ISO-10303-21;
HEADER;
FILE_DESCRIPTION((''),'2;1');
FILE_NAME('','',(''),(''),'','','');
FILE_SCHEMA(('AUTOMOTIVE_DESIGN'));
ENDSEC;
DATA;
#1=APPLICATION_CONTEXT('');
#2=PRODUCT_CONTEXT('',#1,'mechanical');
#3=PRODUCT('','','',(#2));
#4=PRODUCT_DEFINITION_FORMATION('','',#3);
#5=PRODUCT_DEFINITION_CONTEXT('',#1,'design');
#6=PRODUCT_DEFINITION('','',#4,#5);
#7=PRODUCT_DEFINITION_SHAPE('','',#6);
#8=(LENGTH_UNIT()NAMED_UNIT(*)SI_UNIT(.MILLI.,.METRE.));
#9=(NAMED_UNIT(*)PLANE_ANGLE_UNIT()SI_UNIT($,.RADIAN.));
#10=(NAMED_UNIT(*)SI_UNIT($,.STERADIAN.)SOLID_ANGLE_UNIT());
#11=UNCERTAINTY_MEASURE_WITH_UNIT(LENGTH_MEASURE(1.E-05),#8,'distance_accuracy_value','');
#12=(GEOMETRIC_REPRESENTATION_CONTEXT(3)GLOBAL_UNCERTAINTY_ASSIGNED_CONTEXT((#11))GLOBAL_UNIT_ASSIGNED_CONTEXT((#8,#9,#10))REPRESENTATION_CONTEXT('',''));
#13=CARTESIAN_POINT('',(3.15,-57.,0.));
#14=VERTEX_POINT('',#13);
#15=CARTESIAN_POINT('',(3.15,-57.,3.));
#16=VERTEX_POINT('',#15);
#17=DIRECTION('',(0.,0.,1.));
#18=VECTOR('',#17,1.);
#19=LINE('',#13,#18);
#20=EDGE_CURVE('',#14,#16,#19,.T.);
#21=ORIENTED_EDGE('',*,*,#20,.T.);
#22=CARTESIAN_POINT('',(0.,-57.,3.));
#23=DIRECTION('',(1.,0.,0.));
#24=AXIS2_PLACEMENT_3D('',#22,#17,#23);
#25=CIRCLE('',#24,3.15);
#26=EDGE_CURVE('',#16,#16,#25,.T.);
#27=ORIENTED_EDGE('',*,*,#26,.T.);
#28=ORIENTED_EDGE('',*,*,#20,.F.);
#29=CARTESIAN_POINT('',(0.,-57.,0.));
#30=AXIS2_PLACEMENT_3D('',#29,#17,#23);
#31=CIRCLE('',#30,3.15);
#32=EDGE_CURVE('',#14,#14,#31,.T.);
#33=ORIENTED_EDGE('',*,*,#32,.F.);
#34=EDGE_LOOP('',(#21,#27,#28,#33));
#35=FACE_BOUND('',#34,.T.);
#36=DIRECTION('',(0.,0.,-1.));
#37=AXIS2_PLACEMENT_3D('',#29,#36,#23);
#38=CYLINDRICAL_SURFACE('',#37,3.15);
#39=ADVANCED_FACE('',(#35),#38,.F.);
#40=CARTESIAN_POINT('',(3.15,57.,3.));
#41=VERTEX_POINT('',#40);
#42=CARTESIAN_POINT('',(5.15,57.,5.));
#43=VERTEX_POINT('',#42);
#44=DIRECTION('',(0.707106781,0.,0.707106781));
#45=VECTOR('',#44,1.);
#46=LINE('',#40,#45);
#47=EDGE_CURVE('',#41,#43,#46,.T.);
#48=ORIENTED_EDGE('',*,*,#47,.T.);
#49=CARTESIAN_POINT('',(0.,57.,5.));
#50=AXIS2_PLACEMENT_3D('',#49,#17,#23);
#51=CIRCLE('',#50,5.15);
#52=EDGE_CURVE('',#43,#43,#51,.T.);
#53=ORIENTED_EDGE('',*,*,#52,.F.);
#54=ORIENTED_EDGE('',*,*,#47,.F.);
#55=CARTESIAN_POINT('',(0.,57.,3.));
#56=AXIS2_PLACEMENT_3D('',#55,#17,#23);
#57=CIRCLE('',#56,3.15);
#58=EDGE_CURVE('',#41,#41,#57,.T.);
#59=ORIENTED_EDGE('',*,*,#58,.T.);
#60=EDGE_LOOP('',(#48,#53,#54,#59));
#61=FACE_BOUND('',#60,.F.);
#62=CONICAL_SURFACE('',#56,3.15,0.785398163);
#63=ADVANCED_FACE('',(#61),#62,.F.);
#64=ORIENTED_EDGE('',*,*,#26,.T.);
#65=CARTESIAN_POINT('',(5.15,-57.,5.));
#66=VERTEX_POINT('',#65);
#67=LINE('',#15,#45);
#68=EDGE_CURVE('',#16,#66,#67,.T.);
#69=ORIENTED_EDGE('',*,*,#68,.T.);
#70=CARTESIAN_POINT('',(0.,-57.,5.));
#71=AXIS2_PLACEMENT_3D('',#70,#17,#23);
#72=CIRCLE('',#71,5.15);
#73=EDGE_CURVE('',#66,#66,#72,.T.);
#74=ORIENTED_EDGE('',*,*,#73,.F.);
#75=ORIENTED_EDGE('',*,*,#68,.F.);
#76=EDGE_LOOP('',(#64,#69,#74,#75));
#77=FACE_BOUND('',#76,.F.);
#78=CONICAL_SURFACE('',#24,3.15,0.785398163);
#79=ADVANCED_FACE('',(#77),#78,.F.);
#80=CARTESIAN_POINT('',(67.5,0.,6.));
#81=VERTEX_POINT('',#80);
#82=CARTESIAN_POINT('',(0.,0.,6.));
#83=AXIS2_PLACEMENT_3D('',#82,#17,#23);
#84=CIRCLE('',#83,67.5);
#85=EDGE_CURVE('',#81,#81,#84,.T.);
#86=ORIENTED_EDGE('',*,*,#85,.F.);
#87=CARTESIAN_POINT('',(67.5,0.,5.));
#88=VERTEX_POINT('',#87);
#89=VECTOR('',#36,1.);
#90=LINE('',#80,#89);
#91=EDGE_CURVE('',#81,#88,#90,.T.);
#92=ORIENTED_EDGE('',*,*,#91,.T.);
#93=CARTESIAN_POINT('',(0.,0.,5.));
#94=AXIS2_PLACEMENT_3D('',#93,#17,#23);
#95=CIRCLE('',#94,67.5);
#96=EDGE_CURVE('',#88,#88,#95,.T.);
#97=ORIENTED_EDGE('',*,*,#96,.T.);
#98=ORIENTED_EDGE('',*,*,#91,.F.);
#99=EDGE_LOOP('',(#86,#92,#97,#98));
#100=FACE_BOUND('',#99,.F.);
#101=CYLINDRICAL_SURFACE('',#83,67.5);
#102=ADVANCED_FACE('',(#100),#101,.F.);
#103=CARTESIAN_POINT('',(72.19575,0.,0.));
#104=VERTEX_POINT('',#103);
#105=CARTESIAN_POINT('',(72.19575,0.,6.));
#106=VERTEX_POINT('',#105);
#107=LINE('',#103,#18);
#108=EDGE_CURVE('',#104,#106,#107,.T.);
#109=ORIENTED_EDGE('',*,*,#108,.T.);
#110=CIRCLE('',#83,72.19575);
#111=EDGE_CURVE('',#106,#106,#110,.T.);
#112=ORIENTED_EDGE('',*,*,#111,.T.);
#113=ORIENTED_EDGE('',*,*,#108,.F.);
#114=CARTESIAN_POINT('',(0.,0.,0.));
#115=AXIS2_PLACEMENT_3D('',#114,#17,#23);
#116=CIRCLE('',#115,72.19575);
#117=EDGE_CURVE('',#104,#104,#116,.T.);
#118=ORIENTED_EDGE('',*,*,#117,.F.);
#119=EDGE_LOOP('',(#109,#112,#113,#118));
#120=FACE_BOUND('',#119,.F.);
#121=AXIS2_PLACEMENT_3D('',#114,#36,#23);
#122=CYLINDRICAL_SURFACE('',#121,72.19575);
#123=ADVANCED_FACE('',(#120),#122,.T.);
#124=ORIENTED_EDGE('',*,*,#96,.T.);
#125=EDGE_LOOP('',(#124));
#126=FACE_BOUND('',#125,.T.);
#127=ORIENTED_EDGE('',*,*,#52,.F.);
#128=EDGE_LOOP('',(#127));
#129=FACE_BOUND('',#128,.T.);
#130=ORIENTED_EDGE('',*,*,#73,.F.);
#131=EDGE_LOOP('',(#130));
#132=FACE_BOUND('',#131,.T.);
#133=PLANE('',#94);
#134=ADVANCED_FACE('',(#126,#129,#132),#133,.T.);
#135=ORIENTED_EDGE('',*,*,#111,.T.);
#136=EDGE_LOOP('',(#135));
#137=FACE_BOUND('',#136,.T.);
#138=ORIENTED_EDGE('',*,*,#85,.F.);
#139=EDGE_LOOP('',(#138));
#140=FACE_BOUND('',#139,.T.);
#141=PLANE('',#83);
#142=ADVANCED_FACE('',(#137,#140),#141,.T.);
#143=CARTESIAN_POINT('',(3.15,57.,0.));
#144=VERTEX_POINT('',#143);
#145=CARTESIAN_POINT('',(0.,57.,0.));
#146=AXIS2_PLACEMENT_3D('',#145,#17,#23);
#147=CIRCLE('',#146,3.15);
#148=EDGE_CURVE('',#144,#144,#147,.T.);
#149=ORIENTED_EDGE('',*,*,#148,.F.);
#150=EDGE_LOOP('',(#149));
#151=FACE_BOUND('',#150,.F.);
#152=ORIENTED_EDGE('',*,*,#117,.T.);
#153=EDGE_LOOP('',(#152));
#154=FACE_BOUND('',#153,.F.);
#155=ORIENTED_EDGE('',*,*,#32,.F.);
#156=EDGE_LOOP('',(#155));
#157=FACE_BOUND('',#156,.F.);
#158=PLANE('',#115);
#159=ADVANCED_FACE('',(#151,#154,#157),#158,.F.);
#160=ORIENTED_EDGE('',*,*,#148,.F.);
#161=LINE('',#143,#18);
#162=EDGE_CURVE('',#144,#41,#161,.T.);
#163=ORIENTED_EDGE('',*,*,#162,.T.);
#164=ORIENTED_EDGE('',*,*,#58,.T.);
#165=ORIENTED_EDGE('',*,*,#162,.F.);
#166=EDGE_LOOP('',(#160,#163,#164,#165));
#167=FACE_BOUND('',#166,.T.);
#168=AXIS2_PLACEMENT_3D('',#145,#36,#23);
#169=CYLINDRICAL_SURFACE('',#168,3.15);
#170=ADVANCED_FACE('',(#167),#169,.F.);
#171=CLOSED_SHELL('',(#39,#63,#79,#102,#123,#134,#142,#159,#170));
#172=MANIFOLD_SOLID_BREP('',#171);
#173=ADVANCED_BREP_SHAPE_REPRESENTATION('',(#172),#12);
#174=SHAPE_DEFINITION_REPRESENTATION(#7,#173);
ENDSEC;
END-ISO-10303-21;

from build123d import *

# Parameters (mm, degrees)
F0_R     = 24.06525
F0_R_2   = 1.05
F1_DEPTH = 2
F2_SIZE  = 1
F3_SCALE = 3
F4_R     = 67.5
F5_DEPTH = 1


with BuildPart() as f1:
    # F0 (on Top) → F1 (new body)
    with BuildSketch(Plane.XY):
        Circle(F0_R)
        with Locations((0, -19)):
            Circle(F0_R_2, mode=Mode.SUBTRACT)
        with Locations((0, 19)):
            Circle(F0_R_2, mode=Mode.SUBTRACT)
    extrude(amount=F1_DEPTH)

    # F2
    f2_edges = [f1.edges().sort_by_distance(p)[0] for p in [
        (-1.05, 19, 2),
        (-1.05, -19, 2),
    ]]
    chamfer(f2_edges, length=F2_SIZE)


with BuildPart() as f1_1:
    # F3: moved
    add(f1.part.scale(F3_SCALE))

    # F4 (on face) → F5 (cut)
    with BuildSketch(Plane.XY.offset(6)):
        Circle(F4_R)
    extrude(amount=-F5_DEPTH, mode=Mode.SUBTRACT)


solid = f1_1.part
